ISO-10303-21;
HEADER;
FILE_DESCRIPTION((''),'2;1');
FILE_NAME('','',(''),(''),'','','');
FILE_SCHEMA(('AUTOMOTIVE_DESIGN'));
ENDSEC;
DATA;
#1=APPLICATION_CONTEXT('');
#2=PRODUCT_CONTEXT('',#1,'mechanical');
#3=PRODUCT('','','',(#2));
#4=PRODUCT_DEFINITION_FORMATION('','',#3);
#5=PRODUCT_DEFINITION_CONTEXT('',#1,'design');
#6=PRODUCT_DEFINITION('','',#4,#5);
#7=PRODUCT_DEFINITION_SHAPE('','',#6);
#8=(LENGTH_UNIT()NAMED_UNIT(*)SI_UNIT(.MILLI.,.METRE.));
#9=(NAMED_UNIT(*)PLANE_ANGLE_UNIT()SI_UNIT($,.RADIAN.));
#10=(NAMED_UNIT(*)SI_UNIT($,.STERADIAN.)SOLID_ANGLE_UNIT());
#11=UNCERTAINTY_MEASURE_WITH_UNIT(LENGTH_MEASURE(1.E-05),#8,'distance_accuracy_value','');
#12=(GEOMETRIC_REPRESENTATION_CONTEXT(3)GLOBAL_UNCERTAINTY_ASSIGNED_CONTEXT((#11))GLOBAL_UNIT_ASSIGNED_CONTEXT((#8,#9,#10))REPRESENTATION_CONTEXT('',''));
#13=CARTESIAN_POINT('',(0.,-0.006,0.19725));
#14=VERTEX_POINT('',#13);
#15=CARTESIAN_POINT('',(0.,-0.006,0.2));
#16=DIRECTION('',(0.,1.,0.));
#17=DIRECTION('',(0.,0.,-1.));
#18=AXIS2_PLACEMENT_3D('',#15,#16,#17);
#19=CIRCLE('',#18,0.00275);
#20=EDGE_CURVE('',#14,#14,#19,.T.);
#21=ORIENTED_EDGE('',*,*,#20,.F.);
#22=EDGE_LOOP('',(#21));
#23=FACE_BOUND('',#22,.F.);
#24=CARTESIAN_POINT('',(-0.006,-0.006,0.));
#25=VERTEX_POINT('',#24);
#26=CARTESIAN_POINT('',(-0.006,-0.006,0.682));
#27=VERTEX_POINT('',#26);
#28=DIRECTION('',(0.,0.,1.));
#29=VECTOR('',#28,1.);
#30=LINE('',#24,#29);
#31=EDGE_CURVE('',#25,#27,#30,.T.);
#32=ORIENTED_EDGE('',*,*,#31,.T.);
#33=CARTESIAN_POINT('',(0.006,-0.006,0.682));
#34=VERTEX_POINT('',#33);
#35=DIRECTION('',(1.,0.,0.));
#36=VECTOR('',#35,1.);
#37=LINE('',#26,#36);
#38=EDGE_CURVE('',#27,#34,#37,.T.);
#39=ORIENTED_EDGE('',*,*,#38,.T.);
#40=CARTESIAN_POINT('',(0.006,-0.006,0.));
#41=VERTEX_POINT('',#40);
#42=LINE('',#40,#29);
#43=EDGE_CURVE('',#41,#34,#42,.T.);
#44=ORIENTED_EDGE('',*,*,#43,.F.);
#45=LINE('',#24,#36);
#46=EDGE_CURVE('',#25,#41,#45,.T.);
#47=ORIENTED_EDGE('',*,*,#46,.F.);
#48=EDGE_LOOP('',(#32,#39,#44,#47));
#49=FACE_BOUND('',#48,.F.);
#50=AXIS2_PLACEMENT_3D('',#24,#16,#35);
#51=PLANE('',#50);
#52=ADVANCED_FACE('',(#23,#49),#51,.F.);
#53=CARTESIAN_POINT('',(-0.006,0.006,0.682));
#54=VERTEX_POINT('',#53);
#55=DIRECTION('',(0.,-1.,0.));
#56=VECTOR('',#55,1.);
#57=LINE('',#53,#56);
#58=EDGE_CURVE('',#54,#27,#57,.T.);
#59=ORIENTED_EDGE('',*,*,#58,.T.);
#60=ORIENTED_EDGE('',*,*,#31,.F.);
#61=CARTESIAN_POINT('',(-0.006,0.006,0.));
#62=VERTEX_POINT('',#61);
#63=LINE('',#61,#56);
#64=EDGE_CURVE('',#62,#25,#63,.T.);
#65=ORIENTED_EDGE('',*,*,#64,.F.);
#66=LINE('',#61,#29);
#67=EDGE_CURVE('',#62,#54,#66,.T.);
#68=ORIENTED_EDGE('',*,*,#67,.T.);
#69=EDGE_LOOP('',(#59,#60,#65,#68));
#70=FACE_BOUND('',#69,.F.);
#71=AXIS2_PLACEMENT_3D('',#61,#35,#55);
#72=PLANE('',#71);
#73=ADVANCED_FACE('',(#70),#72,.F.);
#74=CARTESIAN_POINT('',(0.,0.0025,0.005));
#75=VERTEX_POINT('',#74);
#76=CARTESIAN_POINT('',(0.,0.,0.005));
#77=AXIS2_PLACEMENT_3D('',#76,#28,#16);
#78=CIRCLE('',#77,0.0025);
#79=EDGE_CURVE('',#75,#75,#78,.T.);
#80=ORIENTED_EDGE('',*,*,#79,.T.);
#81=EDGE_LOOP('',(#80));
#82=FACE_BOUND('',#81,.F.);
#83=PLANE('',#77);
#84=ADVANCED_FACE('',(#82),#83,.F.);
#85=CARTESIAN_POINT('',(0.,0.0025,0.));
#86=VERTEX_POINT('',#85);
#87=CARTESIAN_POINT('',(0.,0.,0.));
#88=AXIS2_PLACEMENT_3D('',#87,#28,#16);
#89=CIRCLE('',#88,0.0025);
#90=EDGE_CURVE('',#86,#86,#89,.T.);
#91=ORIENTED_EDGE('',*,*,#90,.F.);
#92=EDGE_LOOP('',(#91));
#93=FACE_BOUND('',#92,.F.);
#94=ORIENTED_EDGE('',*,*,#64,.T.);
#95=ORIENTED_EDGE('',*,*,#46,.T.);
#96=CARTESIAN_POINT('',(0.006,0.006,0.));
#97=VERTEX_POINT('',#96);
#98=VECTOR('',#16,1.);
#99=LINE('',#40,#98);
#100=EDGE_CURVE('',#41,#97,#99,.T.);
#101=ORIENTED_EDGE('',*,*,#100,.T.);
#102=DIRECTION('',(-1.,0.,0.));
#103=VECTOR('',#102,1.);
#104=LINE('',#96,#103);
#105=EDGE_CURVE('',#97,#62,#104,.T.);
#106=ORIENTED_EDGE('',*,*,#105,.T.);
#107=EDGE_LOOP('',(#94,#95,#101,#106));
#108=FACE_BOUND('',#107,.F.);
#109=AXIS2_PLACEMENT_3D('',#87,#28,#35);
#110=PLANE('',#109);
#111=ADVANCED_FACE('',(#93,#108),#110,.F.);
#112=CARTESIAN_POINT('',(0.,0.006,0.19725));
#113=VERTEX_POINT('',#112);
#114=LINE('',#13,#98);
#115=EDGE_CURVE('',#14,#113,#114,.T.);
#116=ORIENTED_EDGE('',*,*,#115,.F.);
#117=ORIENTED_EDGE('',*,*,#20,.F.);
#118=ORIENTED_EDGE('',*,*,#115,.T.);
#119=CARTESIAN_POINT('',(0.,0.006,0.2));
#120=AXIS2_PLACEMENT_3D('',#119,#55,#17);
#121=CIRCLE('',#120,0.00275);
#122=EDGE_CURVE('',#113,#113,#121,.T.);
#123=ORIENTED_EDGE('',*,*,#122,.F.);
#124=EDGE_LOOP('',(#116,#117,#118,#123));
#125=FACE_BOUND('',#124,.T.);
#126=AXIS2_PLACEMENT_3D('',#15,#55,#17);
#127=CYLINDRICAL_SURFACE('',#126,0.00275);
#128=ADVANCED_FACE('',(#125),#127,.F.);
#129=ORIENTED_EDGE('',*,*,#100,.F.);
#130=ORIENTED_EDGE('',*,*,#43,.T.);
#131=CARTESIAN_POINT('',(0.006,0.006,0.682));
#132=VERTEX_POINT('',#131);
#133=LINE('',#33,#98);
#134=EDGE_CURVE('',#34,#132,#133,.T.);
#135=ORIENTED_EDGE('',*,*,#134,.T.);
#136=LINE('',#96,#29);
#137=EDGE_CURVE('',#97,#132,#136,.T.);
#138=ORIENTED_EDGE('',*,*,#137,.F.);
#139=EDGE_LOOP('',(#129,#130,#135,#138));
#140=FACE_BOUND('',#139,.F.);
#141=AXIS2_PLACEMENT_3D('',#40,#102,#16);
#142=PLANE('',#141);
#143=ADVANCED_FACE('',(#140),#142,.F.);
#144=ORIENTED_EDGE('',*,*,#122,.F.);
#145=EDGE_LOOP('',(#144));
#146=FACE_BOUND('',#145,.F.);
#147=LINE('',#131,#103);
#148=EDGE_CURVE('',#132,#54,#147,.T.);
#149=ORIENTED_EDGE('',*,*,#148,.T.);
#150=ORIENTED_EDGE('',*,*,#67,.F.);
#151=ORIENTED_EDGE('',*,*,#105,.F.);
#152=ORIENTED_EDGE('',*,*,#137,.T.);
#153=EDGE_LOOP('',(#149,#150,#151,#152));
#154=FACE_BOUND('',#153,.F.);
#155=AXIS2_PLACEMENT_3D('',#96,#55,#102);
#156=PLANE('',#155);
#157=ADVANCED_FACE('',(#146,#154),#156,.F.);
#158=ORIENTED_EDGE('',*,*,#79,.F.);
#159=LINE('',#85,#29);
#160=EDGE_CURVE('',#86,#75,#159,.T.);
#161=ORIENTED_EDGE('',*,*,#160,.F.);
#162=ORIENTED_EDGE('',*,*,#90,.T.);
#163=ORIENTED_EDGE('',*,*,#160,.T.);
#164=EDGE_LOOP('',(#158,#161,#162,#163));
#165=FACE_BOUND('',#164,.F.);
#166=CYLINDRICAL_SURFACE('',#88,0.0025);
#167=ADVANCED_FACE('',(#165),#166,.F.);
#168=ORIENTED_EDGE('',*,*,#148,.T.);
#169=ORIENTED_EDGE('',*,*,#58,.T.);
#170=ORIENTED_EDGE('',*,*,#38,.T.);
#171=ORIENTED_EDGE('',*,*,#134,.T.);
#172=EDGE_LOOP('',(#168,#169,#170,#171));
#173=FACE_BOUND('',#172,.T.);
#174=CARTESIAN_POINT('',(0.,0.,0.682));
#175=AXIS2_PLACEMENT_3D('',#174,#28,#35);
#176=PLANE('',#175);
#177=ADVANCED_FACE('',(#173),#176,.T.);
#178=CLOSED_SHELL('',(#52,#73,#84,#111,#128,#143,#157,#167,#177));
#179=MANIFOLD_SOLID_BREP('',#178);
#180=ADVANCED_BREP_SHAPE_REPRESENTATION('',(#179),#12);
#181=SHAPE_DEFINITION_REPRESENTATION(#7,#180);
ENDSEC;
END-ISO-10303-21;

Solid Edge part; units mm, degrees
sketch "Sketch1" plane through (0, 0, 0) normal (0, 0, 1) x (1, 0, 0)
  line L0 (-0.006, -0.006) -> (0.006, -0.006)
  line L1 (0.006, -0.006) -> (0.006, 0.006)
  line L2 (0.006, 0.006) -> (-0.006, 0.006)
  line L3 (-0.006, 0.006) -> (-0.006, -0.006)
  dimension "D1" = 0.012
extrude "Protrusion1" add sketch "Sketch1" along normal blind 0.682
hole "Bohrung_1" at (0, -0.006, 0.2) direction (0, 1, 0) diameter 0.0055 end through all
hole "Bohrung_2" at (0, 0, 0) direction (0, 0, 1) diameter 0.005 depth 0.005
